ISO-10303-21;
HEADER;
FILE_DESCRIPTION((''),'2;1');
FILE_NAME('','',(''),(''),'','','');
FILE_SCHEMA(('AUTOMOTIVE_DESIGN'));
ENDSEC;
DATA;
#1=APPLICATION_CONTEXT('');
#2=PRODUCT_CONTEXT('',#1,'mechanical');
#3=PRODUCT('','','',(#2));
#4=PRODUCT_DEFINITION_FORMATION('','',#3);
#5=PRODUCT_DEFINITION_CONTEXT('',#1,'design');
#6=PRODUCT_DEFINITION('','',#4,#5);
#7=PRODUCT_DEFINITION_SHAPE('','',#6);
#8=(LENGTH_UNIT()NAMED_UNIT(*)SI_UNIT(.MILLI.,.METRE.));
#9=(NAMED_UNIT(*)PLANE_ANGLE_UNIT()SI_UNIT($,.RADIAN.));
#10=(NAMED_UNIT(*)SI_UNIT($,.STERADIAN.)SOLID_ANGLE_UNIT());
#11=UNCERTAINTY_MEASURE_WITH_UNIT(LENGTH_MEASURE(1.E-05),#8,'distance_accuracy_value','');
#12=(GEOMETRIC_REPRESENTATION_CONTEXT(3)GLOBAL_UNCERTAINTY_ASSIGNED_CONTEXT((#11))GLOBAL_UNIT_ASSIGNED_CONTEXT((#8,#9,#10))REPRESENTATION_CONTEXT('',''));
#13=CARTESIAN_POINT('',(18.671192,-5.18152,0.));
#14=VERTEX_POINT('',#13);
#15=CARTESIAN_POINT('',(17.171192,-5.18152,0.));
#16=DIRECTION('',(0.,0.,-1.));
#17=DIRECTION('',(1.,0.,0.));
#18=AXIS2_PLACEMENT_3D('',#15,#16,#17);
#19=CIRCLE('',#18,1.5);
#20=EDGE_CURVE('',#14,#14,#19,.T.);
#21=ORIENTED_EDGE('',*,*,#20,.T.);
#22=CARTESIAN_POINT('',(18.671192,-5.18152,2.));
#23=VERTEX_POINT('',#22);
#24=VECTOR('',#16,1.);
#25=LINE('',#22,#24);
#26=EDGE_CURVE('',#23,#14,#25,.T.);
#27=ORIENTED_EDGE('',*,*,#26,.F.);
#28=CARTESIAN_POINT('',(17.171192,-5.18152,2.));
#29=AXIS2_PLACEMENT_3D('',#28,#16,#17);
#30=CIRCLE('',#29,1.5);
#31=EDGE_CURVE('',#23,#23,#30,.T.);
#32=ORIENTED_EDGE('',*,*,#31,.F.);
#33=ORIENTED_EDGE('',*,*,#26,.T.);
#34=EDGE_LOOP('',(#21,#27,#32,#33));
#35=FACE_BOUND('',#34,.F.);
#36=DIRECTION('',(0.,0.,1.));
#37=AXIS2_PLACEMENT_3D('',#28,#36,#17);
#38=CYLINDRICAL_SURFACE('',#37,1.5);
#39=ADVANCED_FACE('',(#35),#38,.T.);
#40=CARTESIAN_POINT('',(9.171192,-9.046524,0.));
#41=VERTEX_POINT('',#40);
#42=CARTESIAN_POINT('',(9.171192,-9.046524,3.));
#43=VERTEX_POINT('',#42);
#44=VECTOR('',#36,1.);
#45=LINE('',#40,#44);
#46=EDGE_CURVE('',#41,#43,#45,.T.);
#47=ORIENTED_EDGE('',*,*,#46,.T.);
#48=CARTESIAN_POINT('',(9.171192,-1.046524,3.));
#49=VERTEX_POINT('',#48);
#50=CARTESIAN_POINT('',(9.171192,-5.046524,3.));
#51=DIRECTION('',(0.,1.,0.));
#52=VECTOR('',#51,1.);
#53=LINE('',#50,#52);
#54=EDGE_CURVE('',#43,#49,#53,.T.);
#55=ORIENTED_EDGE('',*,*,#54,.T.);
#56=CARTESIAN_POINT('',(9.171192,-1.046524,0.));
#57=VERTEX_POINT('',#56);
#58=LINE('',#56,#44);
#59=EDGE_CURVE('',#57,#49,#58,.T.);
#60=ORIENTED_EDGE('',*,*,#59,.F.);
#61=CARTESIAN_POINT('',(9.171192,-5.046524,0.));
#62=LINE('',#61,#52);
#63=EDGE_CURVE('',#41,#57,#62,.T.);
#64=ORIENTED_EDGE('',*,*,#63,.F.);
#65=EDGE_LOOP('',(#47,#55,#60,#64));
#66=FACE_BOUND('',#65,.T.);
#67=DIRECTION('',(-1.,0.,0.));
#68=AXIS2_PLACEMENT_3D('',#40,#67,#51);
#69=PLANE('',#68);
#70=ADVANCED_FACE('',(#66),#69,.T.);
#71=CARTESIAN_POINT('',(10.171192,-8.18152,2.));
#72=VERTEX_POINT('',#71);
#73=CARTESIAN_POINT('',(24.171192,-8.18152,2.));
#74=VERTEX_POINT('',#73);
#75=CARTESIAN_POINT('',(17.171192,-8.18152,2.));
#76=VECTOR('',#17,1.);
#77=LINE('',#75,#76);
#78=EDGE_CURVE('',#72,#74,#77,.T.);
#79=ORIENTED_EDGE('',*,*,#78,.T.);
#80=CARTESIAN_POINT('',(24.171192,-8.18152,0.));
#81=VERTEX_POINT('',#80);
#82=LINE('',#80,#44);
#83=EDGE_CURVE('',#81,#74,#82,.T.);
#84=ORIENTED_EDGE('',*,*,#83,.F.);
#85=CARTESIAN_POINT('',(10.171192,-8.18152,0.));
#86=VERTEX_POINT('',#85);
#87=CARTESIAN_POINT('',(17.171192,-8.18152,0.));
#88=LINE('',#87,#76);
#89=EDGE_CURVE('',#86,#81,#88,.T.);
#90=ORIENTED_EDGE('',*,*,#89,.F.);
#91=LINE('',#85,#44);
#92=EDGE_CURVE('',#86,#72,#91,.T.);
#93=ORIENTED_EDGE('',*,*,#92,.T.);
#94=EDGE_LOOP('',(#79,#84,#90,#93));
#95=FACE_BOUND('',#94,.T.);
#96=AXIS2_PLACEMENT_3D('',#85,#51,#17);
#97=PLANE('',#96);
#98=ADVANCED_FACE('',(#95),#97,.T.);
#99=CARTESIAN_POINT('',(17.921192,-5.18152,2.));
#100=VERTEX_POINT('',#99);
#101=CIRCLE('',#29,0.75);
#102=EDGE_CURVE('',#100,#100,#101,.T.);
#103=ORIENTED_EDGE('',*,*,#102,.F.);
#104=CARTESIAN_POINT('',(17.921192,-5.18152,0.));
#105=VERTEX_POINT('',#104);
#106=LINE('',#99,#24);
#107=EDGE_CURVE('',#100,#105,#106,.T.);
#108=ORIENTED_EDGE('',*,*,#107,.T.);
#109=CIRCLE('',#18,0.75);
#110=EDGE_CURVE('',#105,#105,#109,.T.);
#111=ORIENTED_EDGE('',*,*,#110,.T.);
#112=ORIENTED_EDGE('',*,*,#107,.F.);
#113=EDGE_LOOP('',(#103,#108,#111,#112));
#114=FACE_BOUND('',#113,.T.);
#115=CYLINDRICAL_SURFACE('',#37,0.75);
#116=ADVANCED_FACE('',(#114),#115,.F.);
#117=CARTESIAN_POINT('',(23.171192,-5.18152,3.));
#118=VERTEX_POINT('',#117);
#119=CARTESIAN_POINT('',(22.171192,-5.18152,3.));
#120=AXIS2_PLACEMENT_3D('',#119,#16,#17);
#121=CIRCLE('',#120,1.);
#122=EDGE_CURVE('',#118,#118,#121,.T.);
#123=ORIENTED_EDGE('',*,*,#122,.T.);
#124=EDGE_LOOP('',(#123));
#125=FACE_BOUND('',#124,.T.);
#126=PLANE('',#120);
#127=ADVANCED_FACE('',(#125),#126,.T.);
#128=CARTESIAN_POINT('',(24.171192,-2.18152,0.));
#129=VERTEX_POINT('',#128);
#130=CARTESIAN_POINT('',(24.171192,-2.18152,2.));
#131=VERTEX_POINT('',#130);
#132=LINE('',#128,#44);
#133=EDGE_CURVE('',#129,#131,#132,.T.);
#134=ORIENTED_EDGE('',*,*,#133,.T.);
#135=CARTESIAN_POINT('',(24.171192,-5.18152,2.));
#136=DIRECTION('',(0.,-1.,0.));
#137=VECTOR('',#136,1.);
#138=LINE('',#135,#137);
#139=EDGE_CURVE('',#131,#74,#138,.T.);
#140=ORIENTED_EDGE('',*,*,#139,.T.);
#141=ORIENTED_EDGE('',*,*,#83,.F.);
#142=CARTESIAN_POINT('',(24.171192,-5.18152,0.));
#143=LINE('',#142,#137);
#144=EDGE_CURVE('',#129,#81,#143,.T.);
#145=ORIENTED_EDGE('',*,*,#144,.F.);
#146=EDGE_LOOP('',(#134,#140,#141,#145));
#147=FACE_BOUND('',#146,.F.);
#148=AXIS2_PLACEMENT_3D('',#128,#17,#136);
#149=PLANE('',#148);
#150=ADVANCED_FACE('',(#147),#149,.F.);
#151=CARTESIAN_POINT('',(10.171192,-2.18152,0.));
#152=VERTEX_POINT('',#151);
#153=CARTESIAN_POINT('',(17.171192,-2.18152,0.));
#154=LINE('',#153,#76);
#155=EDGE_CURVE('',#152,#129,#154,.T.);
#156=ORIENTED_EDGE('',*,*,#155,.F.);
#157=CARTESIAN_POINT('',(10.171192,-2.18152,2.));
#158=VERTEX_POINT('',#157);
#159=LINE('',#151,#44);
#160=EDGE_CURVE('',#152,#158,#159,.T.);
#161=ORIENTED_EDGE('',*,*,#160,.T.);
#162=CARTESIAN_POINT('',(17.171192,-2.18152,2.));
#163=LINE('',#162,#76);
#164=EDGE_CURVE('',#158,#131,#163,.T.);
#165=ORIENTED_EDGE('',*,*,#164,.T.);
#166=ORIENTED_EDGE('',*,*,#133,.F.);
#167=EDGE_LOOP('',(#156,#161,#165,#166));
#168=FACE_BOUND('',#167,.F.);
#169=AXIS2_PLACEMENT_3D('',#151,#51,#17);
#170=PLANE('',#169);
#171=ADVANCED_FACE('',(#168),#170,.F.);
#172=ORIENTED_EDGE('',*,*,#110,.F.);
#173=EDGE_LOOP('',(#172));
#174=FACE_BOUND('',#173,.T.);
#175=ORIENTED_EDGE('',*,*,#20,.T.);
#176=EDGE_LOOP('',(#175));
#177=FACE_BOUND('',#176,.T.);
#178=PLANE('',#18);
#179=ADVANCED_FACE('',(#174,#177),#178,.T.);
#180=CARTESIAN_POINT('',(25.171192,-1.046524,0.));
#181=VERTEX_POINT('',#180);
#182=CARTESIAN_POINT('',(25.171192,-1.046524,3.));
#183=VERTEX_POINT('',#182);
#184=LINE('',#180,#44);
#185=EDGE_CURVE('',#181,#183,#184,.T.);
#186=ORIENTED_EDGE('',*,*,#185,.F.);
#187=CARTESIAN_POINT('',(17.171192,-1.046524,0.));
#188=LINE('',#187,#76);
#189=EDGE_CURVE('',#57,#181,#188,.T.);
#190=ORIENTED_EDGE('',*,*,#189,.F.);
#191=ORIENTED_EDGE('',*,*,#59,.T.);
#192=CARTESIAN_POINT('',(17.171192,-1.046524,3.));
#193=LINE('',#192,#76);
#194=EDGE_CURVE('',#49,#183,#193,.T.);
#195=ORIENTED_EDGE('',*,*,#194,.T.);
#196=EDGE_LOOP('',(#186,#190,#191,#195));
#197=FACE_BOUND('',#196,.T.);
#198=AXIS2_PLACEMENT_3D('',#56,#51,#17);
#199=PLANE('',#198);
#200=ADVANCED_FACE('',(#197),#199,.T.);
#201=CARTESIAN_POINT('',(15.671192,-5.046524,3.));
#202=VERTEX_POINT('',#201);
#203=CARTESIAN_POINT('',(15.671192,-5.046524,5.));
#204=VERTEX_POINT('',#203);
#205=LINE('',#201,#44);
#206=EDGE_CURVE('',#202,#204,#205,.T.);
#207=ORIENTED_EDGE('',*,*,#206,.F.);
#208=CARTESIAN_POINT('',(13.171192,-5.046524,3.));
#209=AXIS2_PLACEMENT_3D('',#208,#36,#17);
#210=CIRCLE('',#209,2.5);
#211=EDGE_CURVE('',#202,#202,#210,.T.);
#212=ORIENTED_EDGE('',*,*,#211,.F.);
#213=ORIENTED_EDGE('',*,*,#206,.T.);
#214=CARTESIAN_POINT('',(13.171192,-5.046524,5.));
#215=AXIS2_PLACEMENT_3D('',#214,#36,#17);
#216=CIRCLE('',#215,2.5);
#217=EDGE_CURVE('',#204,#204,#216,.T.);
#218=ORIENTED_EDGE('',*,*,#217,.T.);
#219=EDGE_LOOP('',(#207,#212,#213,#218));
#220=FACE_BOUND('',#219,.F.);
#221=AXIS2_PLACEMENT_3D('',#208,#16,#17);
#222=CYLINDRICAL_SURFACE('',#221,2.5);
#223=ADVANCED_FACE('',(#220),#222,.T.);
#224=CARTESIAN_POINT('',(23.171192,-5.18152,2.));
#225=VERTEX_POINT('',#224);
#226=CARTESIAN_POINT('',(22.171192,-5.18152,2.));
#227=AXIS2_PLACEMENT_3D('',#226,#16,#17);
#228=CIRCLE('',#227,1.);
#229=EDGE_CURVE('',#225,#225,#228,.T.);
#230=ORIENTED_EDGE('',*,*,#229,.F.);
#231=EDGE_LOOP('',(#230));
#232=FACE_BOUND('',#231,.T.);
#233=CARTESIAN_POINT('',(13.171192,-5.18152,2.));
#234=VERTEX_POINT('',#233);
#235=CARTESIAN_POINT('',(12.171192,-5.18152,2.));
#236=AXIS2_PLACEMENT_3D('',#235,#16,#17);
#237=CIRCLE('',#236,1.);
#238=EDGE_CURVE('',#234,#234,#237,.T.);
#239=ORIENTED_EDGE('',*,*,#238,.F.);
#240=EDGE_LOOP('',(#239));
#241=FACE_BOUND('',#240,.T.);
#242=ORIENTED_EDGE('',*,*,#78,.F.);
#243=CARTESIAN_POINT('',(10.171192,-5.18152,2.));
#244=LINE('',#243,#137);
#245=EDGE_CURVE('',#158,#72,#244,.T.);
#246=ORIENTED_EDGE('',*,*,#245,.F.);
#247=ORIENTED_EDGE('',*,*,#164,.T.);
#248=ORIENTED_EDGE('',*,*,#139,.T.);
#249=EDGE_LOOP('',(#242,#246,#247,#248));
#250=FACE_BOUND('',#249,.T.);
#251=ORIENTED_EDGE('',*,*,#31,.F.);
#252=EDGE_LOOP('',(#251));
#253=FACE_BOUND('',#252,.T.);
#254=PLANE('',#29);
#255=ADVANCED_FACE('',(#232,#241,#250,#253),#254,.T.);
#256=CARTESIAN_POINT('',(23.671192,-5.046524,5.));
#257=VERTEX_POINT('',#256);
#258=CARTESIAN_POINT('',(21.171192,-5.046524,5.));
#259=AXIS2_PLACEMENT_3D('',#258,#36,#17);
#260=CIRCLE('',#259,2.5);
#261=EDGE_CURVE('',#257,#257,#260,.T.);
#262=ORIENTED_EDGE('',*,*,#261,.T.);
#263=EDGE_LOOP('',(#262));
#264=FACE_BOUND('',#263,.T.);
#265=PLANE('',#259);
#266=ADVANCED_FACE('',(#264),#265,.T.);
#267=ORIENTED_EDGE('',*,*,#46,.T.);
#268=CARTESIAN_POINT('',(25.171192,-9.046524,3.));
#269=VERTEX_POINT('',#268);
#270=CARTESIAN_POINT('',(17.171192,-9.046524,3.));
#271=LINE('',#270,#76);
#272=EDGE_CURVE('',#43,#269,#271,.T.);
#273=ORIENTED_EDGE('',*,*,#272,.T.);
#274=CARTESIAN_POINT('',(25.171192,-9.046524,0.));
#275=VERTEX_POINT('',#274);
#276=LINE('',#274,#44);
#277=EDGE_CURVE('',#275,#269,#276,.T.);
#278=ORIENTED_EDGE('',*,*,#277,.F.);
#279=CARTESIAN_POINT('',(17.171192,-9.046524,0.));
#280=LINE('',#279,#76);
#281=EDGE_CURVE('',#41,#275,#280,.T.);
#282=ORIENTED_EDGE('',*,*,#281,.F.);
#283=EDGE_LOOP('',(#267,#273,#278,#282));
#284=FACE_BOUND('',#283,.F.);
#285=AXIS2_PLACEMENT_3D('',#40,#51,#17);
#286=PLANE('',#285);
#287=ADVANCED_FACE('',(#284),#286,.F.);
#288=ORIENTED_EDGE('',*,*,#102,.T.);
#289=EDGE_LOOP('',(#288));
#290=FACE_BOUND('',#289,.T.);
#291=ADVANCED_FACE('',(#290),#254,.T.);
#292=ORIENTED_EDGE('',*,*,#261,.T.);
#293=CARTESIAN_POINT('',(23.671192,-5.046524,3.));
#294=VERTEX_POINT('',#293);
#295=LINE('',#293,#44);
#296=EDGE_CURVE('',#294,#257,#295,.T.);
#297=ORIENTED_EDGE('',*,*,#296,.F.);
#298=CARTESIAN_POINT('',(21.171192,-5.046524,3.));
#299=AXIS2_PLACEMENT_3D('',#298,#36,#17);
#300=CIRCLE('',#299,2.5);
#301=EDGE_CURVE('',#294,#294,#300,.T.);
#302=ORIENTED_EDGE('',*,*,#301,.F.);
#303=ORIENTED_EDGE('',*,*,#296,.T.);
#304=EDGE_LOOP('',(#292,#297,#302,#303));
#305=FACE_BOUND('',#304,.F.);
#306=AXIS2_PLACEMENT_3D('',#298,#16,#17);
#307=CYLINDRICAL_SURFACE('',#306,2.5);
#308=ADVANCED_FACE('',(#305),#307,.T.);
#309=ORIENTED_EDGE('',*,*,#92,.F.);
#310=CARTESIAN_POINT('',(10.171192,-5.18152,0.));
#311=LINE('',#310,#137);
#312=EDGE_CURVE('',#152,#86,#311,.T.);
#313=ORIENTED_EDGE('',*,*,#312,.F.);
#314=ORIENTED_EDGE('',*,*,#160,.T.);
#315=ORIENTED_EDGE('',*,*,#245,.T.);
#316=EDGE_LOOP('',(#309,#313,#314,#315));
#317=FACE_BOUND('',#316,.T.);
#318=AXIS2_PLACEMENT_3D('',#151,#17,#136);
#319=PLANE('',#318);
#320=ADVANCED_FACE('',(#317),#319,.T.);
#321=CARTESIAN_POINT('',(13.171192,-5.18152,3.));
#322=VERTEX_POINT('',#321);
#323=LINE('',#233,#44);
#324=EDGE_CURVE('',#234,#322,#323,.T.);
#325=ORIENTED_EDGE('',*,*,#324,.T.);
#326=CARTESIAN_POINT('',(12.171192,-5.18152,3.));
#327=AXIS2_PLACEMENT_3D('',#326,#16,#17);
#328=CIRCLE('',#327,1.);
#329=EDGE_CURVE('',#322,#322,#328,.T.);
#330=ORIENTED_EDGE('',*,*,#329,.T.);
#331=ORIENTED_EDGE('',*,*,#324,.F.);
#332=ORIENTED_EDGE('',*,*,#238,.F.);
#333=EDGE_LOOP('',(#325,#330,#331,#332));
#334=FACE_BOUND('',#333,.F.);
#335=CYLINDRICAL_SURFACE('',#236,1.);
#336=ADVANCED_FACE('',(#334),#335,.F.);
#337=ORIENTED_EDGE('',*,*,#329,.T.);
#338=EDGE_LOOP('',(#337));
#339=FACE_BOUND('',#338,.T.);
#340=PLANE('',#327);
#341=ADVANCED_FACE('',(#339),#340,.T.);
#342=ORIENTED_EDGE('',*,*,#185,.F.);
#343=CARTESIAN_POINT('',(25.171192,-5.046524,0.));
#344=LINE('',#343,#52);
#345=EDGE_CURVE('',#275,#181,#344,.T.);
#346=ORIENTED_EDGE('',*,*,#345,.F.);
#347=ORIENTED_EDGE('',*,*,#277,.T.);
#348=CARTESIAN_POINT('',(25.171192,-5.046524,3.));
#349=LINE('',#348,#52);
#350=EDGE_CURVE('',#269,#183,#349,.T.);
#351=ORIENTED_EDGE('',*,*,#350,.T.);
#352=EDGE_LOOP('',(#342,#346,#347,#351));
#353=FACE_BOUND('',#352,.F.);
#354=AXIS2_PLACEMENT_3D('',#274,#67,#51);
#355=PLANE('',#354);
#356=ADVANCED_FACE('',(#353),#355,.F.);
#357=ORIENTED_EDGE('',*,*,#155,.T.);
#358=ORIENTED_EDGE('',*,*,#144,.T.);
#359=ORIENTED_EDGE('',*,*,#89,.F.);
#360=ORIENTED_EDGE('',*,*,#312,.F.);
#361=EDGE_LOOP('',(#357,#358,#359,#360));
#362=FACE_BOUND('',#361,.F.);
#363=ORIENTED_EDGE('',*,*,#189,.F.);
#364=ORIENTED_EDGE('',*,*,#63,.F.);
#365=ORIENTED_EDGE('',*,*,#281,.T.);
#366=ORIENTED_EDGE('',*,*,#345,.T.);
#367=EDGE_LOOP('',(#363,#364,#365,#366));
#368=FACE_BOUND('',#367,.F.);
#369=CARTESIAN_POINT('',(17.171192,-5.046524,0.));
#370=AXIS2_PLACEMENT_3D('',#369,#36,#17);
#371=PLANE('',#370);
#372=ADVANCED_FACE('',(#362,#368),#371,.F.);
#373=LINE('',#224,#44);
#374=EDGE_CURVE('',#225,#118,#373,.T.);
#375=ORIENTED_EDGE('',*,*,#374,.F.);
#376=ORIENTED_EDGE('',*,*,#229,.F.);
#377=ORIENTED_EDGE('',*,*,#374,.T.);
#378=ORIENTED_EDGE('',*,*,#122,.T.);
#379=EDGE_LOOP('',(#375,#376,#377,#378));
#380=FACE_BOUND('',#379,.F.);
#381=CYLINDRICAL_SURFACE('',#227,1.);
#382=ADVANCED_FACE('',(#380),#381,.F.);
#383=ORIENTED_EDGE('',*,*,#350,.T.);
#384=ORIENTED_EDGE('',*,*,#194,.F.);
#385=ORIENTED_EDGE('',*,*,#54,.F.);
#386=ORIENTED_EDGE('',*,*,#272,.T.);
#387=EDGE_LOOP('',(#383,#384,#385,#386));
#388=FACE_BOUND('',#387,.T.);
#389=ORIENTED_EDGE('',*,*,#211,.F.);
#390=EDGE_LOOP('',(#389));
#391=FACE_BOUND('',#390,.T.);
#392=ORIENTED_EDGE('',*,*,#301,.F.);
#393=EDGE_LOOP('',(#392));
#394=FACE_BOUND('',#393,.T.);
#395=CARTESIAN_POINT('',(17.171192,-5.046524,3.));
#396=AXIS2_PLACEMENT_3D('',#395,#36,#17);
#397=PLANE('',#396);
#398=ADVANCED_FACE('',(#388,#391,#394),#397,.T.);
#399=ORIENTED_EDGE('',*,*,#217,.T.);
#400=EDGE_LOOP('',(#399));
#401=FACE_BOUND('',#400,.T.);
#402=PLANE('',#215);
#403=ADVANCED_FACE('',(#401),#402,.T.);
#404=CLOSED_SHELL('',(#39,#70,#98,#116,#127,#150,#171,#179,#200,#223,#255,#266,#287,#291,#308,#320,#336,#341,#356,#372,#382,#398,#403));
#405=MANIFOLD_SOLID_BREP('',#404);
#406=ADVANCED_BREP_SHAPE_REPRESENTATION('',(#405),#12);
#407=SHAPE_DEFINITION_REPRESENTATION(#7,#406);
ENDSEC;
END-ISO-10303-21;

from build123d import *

# Parameters (mm, degrees)
F0_W     = 16
F0_H     = 8
F1_DEPTH = 3
F2_R     = 2.5
F3_DEPTH = 2
F4_W     = 14
F4_H     = 6
F5_DEPTH = 2
F6_R     = 1.5
F6_R_2   = 0.75
F7_DEPTH = 2
F8_R     = 1
F9_DEPTH = 1


with BuildPart() as f1:
    # F0 (on Top) → F1 (new body)
    with BuildSketch(Plane.XY):
        with Locations((17.171192, -5.046524)):
            Rectangle(F0_W, F0_H)
    extrude(amount=F1_DEPTH)

    # F2 (on face) → F3 (join)
    with BuildSketch(Plane.XY.offset(3)):
        with Locations((13.171192, -5.046524)):
            Circle(F2_R)
        with Locations((21.171192, -5.046524)):
            Circle(F2_R)
    extrude(amount=F3_DEPTH)

    # F4 (on face) → F5 (cut)
    with BuildSketch(Plane(origin=(0, 0, 0), x_dir=(1, 0, 0), z_dir=(0, 0, -1))):
        with Locations((17.171192, 5.18152)):
            Rectangle(F4_W, F4_H)
    extrude(amount=-F5_DEPTH, mode=Mode.SUBTRACT)

    # F6 (on face) → F7 (join)
    with BuildSketch(Plane(origin=(0, 0, 2), x_dir=(1, 0, 0), z_dir=(0, 0, -1))):
        with Locations((17.171192, 5.18152)):
            Circle(F6_R)
        with Locations((17.171192, 5.18152)):
            Circle(F6_R_2, mode=Mode.SUBTRACT)
    extrude(amount=F7_DEPTH)

    # F8 (on face) → F9 (cut)
    with BuildSketch(Plane(origin=(0, 0, 2), x_dir=(1, 0, 0), z_dir=(0, 0, -1))):
        with Locations((12.171192, 5.18152)):
            Circle(F8_R)
        with Locations((22.171192, 5.18152)):
            Circle(F8_R)
    extrude(amount=-F9_DEPTH, mode=Mode.SUBTRACT)


solid = f1.part
